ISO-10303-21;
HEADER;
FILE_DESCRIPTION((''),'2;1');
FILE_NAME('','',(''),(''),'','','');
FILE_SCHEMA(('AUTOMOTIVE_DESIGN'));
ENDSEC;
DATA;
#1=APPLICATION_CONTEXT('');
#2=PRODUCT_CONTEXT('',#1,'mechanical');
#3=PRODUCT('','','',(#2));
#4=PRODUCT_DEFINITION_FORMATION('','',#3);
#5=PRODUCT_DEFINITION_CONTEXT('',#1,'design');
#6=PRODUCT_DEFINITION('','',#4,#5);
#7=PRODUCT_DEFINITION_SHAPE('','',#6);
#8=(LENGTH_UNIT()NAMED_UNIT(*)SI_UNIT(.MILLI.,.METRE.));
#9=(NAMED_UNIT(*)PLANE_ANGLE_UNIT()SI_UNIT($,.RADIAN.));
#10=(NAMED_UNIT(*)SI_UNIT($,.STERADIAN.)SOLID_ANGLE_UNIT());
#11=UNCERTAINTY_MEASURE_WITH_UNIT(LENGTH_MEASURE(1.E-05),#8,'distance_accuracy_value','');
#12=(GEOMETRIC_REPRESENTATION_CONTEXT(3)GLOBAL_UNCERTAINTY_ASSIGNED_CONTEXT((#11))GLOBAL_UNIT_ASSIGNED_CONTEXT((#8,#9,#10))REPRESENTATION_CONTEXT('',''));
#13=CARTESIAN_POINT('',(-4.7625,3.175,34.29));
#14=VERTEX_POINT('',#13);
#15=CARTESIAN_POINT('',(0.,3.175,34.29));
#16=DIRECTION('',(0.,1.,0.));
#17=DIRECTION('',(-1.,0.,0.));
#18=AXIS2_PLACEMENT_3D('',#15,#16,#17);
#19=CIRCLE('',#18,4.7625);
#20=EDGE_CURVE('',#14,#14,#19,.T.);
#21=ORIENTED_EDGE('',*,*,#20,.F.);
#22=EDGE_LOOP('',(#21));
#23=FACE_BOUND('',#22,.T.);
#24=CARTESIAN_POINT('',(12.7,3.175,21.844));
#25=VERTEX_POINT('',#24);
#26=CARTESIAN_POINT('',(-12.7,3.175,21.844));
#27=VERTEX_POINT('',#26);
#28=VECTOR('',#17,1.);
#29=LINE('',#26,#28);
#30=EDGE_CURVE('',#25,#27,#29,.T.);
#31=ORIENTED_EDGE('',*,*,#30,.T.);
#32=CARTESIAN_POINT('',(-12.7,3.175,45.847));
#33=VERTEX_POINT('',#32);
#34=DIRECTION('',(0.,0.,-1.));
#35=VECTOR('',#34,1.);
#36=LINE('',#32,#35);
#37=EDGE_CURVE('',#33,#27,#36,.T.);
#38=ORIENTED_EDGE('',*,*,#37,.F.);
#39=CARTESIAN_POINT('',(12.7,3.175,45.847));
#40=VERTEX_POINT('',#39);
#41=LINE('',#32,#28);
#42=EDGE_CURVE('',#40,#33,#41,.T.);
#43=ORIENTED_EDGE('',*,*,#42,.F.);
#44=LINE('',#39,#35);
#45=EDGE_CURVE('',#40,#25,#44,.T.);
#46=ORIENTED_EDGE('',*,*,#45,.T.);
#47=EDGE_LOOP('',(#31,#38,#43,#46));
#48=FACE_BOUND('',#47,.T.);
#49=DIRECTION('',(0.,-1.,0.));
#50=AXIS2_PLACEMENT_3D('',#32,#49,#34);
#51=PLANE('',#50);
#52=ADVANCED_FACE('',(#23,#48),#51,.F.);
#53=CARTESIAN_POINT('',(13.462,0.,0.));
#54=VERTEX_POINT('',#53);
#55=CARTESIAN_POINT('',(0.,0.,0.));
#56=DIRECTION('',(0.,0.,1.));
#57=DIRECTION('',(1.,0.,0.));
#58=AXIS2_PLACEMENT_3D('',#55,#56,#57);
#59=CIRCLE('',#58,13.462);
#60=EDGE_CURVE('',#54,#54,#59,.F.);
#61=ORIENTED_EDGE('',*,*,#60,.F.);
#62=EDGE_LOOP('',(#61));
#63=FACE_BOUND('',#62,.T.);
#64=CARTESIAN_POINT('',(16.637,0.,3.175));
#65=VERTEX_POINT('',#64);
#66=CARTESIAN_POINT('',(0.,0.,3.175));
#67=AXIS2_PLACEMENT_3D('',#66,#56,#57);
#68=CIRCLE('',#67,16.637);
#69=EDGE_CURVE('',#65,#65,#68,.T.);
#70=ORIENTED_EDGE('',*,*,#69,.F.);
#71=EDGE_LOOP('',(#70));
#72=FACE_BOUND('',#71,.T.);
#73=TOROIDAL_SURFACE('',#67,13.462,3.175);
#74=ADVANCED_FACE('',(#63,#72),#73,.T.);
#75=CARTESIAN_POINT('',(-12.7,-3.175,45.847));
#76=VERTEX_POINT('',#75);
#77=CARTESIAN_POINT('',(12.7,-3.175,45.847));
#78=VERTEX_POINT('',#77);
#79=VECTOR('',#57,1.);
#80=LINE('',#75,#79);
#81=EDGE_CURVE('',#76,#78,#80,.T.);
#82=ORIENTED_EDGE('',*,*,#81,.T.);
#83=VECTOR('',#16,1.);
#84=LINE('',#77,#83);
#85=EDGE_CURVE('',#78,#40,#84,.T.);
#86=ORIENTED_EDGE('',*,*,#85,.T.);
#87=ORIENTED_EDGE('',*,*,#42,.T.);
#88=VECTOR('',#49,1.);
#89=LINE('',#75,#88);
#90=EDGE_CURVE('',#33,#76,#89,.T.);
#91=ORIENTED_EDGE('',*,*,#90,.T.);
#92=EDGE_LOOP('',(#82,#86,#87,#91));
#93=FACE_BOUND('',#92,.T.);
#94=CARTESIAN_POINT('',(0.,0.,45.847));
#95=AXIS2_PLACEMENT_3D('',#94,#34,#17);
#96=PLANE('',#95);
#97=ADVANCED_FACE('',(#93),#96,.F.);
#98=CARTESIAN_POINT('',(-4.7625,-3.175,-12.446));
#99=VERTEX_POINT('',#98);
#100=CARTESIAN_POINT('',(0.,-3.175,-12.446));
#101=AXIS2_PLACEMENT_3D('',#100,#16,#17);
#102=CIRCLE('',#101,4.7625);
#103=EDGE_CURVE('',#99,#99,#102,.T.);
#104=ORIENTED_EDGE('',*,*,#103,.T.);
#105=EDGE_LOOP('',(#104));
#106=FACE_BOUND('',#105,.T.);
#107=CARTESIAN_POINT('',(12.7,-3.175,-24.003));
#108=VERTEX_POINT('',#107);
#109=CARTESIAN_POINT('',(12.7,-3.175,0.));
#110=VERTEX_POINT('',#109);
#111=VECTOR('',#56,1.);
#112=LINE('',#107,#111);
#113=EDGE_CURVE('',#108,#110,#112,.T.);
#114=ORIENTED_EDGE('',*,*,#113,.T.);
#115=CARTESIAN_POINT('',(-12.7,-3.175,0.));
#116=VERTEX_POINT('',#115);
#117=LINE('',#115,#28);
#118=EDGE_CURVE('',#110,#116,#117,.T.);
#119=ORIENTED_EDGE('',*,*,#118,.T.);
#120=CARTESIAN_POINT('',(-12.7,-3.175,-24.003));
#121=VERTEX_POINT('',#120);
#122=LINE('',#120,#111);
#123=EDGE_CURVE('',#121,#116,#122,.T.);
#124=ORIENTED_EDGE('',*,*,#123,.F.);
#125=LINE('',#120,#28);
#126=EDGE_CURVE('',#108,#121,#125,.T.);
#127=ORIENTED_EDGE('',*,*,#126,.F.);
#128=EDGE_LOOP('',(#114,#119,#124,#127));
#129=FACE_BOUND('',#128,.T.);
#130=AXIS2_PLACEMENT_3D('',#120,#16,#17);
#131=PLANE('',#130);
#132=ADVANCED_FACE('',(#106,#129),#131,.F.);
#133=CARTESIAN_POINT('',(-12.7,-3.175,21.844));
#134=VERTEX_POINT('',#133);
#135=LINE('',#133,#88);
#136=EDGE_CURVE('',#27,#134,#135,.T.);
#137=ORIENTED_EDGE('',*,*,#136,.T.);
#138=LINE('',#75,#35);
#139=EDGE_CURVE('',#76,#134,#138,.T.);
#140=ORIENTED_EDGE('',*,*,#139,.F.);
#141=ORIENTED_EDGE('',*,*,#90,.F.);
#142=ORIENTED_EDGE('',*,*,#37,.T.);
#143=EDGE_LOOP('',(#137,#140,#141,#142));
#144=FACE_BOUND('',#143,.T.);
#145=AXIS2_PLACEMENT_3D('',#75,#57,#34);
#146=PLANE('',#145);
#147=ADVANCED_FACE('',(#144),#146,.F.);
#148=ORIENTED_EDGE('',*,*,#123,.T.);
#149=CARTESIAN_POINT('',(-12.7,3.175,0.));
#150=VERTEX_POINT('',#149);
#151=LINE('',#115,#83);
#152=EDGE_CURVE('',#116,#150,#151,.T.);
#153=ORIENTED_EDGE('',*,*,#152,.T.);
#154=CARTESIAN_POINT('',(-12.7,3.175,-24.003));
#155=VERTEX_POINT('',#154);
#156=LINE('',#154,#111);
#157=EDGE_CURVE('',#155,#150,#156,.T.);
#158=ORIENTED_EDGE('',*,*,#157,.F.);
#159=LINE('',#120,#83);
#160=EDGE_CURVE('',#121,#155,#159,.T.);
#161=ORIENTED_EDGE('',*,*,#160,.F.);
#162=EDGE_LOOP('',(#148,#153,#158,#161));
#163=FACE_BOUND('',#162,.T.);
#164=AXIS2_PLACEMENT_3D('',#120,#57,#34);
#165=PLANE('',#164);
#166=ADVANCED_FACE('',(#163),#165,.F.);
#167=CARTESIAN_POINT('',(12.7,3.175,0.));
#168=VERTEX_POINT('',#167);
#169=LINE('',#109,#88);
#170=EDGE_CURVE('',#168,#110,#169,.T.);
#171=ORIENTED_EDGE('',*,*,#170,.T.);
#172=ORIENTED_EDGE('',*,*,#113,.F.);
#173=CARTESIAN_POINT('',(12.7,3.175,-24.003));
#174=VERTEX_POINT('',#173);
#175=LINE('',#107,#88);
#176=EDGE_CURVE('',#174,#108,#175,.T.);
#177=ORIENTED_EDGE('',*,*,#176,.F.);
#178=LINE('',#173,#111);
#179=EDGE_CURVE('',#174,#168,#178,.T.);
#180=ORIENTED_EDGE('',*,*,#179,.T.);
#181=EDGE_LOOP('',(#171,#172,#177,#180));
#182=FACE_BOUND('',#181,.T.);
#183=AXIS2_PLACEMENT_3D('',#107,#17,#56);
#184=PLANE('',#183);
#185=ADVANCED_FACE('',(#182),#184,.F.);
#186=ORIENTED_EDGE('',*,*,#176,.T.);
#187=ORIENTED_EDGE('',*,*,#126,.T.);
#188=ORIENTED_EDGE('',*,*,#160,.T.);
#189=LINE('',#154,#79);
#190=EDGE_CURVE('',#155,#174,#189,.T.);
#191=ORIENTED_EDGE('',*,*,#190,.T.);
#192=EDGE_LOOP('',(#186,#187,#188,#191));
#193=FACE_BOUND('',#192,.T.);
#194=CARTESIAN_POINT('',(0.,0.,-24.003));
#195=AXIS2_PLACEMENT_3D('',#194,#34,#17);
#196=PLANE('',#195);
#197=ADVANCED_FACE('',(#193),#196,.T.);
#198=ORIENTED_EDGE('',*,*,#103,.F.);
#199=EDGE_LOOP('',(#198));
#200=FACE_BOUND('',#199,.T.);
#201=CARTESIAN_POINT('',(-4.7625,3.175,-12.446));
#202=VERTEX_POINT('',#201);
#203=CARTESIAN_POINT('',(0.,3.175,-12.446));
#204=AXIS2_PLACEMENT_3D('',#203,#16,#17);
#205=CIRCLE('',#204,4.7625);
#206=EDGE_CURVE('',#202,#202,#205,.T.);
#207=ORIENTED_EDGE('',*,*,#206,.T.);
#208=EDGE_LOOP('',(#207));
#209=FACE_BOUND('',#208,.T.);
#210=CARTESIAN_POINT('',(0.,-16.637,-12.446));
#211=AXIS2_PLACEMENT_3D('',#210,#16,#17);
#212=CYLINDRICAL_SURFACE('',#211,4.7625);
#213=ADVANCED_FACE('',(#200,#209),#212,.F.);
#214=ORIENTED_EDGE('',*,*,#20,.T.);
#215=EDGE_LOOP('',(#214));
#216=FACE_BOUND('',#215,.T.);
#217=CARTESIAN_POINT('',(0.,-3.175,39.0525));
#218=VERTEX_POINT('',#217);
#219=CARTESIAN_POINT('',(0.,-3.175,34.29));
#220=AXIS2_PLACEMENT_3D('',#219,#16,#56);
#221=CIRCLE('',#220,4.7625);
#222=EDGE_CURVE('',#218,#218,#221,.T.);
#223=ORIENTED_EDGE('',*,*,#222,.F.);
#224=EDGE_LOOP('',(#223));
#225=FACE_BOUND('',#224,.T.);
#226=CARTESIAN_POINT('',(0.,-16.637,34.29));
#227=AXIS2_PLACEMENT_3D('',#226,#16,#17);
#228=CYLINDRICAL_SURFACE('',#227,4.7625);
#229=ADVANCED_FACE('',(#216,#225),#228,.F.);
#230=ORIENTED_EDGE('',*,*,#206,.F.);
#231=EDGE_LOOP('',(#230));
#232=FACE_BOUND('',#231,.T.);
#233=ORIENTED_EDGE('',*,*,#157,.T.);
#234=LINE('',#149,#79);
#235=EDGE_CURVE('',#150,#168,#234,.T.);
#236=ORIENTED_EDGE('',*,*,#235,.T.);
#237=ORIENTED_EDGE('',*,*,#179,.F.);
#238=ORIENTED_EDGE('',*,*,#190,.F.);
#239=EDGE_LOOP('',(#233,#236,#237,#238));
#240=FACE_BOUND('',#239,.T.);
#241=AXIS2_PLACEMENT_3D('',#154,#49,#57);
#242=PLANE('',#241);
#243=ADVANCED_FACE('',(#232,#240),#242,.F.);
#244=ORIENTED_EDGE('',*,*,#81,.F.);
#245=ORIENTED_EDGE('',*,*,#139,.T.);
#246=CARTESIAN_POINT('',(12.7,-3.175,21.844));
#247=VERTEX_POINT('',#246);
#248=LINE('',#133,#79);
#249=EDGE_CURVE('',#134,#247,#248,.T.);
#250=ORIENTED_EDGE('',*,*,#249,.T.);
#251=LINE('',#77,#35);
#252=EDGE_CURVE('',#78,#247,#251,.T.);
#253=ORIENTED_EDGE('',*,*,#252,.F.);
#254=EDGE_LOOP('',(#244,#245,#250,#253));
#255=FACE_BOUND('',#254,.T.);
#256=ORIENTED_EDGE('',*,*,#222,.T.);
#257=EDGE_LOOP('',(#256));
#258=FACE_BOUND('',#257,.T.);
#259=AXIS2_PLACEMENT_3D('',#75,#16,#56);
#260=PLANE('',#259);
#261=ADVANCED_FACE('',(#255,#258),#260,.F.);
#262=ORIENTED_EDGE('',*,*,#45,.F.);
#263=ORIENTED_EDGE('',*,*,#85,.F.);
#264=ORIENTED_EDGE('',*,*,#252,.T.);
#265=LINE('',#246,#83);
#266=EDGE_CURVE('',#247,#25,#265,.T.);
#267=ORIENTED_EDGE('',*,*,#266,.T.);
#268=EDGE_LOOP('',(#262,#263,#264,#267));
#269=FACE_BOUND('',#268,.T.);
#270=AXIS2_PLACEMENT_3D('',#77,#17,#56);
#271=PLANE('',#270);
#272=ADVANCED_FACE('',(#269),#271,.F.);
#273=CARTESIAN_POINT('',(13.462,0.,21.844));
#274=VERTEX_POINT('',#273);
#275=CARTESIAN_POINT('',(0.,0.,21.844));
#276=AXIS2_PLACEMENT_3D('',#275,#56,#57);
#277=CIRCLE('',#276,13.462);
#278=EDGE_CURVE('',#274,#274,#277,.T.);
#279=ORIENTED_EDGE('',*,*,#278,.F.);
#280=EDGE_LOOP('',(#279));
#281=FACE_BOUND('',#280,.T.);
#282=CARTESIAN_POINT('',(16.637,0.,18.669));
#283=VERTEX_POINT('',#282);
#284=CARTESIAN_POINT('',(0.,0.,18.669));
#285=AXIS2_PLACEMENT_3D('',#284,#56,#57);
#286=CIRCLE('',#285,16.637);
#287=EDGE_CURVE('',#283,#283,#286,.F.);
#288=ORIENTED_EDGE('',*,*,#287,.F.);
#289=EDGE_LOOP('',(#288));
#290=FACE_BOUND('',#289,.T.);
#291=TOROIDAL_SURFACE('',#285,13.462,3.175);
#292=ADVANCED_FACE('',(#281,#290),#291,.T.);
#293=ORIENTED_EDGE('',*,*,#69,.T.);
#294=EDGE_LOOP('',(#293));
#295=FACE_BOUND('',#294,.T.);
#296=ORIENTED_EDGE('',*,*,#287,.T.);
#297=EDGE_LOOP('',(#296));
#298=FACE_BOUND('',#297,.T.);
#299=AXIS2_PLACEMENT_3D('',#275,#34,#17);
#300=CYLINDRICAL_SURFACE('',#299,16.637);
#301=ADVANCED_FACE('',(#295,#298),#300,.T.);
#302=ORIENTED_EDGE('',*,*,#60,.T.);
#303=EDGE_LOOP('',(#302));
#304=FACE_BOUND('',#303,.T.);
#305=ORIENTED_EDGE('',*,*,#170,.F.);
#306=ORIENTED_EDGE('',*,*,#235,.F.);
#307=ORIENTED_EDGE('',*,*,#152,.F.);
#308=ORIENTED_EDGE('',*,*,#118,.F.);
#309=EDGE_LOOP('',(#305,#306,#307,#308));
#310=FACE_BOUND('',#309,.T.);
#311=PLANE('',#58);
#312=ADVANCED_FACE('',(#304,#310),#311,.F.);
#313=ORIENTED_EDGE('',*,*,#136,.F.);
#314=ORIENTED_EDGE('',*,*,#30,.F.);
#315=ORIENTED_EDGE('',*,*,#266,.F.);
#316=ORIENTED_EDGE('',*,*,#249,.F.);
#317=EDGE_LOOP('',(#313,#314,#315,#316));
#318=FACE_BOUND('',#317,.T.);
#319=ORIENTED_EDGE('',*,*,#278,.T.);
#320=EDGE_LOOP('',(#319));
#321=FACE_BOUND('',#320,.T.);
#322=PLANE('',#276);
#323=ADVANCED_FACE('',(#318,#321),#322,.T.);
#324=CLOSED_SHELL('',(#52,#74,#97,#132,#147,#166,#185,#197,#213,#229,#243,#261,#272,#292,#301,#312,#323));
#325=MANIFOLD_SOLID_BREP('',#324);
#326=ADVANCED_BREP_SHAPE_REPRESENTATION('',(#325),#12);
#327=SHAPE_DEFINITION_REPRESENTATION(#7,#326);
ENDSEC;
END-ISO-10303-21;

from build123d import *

# Parameters (mm, degrees)
SKETCH1_R           = 16.637
BOSS_EXTRUDE1_DEPTH = 21.844
SKETCH2_W           = 25.4
SKETCH2_H           = 6.35
BOSS_EXTRUDE2_DEPTH = 24.003
SKETCH3_W           = 25.4
SKETCH3_H           = 6.35
BOSS_EXTRUDE3_DEPTH = 24.003
SKETCH4_R           = 4.7625
CUT_EXTRUDE1_DEPTH  = 20.812
FILLET1_R           = 3.175


with BuildPart() as part:
    # Sketch1 → Boss-Extrude1 (new body)
    with BuildSketch(Plane.XY):
        Circle(SKETCH1_R)
    extrude(amount=BOSS_EXTRUDE1_DEPTH)

    # Sketch2 → Boss-Extrude2 (add)
    with BuildSketch(Plane.XY.offset(21.844)):
        Rectangle(SKETCH2_W, SKETCH2_H)
    extrude(amount=BOSS_EXTRUDE2_DEPTH)

    # Sketch3 → Boss-Extrude3 (add)
    with BuildSketch(Plane(origin=(0, 0, 0), x_dir=(-1, 0, 0), z_dir=(0, 0, -1))):
        Rectangle(SKETCH3_W, SKETCH3_H)
    extrude(amount=BOSS_EXTRUDE3_DEPTH)

    # Sketch4 → Cut-Extrude1 (cut, through all)
    with BuildSketch(Plane(origin=(0, 3.175, 0), x_dir=(1, 0, 0), z_dir=(0, 1, 0))):
        with Locations((0, 12.446)):
            Circle(SKETCH4_R)
        with Locations((0, -34.29)):
            Circle(SKETCH4_R)
    extrude(amount=-CUT_EXTRUDE1_DEPTH, mode=Mode.SUBTRACT)

    # Fillet1
    fillet1_edges = [part.edges().sort_by_distance(p)[0] for p in [
        (-16.637, 0, 0),
        (-16.637, 0, 21.844),
    ]]
    fillet(fillet1_edges, radius=FILLET1_R)


solid = part.part
